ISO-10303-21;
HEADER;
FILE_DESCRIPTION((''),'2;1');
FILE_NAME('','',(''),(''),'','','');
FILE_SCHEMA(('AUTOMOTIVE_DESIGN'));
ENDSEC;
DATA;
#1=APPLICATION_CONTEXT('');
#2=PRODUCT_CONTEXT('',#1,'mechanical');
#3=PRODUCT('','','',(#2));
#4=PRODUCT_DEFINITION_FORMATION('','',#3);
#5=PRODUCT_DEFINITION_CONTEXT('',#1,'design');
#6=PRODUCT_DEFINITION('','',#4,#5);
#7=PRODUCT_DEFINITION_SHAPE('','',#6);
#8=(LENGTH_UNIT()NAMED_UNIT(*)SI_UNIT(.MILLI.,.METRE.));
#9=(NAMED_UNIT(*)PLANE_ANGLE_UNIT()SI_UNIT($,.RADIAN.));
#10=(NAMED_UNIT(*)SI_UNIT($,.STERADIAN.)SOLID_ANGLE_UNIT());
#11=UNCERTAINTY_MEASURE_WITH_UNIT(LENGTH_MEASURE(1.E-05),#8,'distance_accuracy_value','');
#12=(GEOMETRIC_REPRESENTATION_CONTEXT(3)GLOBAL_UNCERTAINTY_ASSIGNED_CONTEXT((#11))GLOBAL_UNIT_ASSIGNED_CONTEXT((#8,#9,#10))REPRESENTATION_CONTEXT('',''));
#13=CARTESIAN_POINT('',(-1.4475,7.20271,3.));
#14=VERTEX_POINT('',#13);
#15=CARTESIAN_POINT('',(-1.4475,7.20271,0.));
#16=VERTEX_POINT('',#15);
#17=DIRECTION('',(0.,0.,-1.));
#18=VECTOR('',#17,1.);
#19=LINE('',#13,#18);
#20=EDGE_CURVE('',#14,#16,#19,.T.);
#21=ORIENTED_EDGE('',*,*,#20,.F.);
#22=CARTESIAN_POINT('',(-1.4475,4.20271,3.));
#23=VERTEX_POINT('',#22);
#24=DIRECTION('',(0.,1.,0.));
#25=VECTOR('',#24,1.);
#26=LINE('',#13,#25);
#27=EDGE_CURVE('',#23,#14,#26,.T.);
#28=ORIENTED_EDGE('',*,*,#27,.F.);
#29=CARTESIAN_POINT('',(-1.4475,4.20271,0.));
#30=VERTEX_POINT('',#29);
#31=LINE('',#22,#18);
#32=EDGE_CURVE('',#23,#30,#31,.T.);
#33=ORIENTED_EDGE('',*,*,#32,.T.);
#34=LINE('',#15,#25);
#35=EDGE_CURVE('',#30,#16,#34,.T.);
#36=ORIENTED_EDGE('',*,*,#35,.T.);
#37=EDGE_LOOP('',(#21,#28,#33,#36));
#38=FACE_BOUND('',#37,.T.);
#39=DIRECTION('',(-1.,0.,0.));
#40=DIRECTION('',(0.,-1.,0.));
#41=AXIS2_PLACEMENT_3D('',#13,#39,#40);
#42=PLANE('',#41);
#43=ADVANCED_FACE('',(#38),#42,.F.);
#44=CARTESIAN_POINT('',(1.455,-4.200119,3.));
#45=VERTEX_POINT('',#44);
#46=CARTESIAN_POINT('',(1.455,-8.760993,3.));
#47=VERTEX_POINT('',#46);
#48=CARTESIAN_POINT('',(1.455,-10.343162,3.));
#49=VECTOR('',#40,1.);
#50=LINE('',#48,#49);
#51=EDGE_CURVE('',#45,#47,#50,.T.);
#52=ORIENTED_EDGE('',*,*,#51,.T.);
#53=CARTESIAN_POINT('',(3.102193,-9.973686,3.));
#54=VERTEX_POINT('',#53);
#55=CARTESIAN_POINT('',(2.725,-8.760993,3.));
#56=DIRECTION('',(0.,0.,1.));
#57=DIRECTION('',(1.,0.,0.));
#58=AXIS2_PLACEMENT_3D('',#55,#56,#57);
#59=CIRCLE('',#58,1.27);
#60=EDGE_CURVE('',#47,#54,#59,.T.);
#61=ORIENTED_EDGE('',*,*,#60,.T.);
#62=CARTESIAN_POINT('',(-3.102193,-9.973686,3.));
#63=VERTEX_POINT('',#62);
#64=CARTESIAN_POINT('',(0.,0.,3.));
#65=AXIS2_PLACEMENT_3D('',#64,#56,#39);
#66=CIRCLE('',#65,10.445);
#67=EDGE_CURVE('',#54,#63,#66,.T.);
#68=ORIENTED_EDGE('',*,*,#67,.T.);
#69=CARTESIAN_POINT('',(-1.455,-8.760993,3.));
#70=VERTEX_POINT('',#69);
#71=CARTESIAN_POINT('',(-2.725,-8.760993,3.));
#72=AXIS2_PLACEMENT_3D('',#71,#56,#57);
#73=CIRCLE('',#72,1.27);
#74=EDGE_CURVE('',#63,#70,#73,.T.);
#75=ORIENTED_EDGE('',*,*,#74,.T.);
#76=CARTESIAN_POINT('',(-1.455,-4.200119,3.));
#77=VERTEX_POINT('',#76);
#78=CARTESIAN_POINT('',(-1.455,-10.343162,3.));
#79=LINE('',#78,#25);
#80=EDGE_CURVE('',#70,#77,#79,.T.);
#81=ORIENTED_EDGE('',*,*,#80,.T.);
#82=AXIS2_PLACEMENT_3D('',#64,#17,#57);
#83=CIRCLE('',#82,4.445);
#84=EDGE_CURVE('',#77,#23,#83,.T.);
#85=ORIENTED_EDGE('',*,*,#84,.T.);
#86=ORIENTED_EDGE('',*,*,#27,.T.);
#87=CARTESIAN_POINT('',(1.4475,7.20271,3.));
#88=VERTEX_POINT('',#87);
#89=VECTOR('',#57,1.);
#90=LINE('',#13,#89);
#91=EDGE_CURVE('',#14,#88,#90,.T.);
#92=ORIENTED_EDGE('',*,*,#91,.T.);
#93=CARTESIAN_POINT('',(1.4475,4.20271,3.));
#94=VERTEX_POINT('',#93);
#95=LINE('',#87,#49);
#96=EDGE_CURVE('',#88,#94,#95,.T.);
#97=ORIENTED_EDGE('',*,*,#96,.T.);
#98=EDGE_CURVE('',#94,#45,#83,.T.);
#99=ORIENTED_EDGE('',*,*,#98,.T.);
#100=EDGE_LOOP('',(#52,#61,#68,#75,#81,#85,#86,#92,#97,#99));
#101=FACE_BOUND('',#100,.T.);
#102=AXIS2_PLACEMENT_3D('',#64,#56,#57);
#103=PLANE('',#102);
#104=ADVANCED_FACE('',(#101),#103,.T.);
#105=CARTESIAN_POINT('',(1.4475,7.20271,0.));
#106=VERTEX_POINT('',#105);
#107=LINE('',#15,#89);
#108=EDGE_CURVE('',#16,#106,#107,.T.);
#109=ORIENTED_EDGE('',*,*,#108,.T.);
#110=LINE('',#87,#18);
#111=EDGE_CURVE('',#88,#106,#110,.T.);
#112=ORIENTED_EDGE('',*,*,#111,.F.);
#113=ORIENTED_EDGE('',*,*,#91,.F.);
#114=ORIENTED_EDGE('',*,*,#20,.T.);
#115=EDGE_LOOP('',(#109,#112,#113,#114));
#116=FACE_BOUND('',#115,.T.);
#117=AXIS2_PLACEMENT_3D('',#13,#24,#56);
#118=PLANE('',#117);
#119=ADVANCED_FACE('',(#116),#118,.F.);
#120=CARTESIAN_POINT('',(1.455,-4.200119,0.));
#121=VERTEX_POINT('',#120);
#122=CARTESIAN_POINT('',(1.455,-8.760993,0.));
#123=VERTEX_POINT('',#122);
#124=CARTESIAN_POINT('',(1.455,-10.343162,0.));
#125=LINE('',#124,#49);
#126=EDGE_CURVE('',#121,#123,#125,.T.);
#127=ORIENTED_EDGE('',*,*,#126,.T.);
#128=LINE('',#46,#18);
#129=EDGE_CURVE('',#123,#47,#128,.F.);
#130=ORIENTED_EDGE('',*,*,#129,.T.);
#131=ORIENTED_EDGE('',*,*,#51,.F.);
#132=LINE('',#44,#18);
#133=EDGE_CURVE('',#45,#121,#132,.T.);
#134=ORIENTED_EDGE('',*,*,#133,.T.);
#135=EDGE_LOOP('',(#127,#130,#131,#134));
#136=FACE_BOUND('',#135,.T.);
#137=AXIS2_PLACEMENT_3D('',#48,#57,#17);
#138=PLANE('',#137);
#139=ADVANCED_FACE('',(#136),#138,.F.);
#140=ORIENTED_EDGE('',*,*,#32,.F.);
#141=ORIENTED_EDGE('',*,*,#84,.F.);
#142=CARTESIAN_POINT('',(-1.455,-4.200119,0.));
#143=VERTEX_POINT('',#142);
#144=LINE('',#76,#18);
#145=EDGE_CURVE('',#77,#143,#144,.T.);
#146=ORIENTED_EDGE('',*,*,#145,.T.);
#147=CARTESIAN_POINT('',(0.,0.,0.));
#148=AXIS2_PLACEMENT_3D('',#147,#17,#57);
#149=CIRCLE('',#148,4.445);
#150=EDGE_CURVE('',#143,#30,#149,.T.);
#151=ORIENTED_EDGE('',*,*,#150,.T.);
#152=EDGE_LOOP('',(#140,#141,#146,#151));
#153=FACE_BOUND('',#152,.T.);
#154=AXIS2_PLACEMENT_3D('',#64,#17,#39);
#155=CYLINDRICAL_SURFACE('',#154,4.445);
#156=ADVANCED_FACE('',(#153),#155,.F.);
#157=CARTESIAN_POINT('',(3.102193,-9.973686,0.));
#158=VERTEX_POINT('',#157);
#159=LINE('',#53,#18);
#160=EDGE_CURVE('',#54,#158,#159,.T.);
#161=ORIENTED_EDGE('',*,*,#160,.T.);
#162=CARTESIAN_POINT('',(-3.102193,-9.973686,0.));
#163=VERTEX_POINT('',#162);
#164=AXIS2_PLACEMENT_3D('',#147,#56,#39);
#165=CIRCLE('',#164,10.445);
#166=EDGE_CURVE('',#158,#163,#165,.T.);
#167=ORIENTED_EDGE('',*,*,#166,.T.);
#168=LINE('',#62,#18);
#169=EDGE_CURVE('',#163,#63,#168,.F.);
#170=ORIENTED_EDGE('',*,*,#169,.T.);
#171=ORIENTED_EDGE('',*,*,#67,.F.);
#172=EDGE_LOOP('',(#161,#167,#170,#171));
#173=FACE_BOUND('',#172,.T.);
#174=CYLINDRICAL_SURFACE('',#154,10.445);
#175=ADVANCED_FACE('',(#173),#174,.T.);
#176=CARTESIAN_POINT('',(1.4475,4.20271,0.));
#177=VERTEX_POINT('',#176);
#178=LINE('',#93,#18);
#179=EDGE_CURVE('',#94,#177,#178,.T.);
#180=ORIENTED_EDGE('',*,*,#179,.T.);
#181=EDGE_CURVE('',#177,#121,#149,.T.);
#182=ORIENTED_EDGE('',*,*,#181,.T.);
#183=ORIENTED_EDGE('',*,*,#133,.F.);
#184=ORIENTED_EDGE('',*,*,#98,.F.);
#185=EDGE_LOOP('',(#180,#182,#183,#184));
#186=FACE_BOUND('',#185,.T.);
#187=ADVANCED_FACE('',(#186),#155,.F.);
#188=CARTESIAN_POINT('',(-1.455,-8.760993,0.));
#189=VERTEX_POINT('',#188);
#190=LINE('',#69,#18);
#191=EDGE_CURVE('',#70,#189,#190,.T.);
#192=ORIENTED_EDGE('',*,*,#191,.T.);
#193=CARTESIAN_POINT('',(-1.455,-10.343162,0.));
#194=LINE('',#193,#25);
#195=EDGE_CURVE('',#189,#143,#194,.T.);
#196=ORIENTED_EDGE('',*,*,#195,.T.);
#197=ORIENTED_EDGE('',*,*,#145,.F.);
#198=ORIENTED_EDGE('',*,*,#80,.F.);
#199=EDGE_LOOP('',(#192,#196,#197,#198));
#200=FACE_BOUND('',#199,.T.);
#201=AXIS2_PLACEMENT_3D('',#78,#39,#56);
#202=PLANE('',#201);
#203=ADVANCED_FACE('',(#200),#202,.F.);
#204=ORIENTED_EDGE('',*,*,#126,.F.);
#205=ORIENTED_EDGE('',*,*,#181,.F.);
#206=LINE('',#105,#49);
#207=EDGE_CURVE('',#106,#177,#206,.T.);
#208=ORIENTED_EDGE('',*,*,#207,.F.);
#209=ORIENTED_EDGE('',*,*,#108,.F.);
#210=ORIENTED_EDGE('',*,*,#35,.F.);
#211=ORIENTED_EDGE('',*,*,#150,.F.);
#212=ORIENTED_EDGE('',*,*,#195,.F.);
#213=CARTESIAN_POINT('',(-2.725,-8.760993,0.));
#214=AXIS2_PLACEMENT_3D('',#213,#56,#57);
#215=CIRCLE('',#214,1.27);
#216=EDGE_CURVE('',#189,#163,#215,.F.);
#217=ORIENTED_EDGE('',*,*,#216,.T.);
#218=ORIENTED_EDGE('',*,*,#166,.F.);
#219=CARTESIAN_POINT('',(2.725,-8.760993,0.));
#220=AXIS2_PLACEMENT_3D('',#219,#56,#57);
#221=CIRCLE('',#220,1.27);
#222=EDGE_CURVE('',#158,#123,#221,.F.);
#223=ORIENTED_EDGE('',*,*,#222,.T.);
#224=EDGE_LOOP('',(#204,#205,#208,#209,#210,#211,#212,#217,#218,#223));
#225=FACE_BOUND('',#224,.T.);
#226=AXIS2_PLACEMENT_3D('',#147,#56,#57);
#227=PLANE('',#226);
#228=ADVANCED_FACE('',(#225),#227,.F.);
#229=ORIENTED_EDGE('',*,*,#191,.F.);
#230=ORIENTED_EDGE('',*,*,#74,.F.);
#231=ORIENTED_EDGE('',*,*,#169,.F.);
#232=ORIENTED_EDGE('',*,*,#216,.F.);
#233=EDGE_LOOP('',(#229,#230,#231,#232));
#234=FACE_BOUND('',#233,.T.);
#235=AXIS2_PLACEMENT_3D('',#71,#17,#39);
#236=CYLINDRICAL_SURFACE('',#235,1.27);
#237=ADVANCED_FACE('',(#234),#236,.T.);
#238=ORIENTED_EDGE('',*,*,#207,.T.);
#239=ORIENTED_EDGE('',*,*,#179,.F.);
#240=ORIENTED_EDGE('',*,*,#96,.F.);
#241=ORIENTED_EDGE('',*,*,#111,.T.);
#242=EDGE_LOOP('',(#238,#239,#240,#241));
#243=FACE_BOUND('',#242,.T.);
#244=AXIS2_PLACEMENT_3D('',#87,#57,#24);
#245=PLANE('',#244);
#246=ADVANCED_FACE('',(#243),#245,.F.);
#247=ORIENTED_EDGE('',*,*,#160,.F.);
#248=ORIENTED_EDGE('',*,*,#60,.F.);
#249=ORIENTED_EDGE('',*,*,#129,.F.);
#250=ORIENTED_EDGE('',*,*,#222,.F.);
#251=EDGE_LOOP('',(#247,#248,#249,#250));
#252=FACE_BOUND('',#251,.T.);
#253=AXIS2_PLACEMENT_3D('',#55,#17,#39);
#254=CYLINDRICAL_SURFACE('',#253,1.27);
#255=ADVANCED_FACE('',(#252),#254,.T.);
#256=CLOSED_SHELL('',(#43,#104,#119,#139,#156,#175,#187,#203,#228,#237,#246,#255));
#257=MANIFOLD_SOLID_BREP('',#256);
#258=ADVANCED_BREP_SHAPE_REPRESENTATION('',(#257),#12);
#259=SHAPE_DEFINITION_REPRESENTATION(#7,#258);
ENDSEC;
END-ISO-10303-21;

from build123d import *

# Parameters (mm, degrees)
EXTRUDE_1_DEPTH = 3
FILLET_1_R      = 1.27


with BuildPart() as part:
    # 스케치1 → 보스-돌출1 (new body)
    with BuildSketch(Plane.XY):
        with BuildLine():
            Line((-1.4475, 7.202709691), (1.4475, 7.202709691))
            Line((1.4475, 7.202709691), (1.4475, 4.202709691))
            ThreePointArc((1.4475, 4.202709691), (4.444998229, 0.003967412), (1.455, -4.200119046))
            Line((1.455, -4.200119046), (1.455, -10.343161992))
            ThreePointArc((1.455, -10.343161992), (0, 10.445), (-1.455, -10.343161992))
            Line((-1.455, -10.343161992), (-1.455, -4.200119046))
            ThreePointArc((-1.455, -4.200119046), (-4.444998229, 0.003967412), (-1.4475, 4.202709691))
            Line((-1.4475, 4.202709691), (-1.4475, 7.202709691))
        make_face()
    extrude(amount=EXTRUDE_1_DEPTH)

    # 필렛1
    fillet_1_edges = [part.edges().sort_by_distance(p)[0] for p in [
        (-1.455, -10.343161992, 1.5),
        (1.455, -10.343161992, 1.5),
    ]]
    fillet(fillet_1_edges, radius=FILLET_1_R)


solid = part.part
